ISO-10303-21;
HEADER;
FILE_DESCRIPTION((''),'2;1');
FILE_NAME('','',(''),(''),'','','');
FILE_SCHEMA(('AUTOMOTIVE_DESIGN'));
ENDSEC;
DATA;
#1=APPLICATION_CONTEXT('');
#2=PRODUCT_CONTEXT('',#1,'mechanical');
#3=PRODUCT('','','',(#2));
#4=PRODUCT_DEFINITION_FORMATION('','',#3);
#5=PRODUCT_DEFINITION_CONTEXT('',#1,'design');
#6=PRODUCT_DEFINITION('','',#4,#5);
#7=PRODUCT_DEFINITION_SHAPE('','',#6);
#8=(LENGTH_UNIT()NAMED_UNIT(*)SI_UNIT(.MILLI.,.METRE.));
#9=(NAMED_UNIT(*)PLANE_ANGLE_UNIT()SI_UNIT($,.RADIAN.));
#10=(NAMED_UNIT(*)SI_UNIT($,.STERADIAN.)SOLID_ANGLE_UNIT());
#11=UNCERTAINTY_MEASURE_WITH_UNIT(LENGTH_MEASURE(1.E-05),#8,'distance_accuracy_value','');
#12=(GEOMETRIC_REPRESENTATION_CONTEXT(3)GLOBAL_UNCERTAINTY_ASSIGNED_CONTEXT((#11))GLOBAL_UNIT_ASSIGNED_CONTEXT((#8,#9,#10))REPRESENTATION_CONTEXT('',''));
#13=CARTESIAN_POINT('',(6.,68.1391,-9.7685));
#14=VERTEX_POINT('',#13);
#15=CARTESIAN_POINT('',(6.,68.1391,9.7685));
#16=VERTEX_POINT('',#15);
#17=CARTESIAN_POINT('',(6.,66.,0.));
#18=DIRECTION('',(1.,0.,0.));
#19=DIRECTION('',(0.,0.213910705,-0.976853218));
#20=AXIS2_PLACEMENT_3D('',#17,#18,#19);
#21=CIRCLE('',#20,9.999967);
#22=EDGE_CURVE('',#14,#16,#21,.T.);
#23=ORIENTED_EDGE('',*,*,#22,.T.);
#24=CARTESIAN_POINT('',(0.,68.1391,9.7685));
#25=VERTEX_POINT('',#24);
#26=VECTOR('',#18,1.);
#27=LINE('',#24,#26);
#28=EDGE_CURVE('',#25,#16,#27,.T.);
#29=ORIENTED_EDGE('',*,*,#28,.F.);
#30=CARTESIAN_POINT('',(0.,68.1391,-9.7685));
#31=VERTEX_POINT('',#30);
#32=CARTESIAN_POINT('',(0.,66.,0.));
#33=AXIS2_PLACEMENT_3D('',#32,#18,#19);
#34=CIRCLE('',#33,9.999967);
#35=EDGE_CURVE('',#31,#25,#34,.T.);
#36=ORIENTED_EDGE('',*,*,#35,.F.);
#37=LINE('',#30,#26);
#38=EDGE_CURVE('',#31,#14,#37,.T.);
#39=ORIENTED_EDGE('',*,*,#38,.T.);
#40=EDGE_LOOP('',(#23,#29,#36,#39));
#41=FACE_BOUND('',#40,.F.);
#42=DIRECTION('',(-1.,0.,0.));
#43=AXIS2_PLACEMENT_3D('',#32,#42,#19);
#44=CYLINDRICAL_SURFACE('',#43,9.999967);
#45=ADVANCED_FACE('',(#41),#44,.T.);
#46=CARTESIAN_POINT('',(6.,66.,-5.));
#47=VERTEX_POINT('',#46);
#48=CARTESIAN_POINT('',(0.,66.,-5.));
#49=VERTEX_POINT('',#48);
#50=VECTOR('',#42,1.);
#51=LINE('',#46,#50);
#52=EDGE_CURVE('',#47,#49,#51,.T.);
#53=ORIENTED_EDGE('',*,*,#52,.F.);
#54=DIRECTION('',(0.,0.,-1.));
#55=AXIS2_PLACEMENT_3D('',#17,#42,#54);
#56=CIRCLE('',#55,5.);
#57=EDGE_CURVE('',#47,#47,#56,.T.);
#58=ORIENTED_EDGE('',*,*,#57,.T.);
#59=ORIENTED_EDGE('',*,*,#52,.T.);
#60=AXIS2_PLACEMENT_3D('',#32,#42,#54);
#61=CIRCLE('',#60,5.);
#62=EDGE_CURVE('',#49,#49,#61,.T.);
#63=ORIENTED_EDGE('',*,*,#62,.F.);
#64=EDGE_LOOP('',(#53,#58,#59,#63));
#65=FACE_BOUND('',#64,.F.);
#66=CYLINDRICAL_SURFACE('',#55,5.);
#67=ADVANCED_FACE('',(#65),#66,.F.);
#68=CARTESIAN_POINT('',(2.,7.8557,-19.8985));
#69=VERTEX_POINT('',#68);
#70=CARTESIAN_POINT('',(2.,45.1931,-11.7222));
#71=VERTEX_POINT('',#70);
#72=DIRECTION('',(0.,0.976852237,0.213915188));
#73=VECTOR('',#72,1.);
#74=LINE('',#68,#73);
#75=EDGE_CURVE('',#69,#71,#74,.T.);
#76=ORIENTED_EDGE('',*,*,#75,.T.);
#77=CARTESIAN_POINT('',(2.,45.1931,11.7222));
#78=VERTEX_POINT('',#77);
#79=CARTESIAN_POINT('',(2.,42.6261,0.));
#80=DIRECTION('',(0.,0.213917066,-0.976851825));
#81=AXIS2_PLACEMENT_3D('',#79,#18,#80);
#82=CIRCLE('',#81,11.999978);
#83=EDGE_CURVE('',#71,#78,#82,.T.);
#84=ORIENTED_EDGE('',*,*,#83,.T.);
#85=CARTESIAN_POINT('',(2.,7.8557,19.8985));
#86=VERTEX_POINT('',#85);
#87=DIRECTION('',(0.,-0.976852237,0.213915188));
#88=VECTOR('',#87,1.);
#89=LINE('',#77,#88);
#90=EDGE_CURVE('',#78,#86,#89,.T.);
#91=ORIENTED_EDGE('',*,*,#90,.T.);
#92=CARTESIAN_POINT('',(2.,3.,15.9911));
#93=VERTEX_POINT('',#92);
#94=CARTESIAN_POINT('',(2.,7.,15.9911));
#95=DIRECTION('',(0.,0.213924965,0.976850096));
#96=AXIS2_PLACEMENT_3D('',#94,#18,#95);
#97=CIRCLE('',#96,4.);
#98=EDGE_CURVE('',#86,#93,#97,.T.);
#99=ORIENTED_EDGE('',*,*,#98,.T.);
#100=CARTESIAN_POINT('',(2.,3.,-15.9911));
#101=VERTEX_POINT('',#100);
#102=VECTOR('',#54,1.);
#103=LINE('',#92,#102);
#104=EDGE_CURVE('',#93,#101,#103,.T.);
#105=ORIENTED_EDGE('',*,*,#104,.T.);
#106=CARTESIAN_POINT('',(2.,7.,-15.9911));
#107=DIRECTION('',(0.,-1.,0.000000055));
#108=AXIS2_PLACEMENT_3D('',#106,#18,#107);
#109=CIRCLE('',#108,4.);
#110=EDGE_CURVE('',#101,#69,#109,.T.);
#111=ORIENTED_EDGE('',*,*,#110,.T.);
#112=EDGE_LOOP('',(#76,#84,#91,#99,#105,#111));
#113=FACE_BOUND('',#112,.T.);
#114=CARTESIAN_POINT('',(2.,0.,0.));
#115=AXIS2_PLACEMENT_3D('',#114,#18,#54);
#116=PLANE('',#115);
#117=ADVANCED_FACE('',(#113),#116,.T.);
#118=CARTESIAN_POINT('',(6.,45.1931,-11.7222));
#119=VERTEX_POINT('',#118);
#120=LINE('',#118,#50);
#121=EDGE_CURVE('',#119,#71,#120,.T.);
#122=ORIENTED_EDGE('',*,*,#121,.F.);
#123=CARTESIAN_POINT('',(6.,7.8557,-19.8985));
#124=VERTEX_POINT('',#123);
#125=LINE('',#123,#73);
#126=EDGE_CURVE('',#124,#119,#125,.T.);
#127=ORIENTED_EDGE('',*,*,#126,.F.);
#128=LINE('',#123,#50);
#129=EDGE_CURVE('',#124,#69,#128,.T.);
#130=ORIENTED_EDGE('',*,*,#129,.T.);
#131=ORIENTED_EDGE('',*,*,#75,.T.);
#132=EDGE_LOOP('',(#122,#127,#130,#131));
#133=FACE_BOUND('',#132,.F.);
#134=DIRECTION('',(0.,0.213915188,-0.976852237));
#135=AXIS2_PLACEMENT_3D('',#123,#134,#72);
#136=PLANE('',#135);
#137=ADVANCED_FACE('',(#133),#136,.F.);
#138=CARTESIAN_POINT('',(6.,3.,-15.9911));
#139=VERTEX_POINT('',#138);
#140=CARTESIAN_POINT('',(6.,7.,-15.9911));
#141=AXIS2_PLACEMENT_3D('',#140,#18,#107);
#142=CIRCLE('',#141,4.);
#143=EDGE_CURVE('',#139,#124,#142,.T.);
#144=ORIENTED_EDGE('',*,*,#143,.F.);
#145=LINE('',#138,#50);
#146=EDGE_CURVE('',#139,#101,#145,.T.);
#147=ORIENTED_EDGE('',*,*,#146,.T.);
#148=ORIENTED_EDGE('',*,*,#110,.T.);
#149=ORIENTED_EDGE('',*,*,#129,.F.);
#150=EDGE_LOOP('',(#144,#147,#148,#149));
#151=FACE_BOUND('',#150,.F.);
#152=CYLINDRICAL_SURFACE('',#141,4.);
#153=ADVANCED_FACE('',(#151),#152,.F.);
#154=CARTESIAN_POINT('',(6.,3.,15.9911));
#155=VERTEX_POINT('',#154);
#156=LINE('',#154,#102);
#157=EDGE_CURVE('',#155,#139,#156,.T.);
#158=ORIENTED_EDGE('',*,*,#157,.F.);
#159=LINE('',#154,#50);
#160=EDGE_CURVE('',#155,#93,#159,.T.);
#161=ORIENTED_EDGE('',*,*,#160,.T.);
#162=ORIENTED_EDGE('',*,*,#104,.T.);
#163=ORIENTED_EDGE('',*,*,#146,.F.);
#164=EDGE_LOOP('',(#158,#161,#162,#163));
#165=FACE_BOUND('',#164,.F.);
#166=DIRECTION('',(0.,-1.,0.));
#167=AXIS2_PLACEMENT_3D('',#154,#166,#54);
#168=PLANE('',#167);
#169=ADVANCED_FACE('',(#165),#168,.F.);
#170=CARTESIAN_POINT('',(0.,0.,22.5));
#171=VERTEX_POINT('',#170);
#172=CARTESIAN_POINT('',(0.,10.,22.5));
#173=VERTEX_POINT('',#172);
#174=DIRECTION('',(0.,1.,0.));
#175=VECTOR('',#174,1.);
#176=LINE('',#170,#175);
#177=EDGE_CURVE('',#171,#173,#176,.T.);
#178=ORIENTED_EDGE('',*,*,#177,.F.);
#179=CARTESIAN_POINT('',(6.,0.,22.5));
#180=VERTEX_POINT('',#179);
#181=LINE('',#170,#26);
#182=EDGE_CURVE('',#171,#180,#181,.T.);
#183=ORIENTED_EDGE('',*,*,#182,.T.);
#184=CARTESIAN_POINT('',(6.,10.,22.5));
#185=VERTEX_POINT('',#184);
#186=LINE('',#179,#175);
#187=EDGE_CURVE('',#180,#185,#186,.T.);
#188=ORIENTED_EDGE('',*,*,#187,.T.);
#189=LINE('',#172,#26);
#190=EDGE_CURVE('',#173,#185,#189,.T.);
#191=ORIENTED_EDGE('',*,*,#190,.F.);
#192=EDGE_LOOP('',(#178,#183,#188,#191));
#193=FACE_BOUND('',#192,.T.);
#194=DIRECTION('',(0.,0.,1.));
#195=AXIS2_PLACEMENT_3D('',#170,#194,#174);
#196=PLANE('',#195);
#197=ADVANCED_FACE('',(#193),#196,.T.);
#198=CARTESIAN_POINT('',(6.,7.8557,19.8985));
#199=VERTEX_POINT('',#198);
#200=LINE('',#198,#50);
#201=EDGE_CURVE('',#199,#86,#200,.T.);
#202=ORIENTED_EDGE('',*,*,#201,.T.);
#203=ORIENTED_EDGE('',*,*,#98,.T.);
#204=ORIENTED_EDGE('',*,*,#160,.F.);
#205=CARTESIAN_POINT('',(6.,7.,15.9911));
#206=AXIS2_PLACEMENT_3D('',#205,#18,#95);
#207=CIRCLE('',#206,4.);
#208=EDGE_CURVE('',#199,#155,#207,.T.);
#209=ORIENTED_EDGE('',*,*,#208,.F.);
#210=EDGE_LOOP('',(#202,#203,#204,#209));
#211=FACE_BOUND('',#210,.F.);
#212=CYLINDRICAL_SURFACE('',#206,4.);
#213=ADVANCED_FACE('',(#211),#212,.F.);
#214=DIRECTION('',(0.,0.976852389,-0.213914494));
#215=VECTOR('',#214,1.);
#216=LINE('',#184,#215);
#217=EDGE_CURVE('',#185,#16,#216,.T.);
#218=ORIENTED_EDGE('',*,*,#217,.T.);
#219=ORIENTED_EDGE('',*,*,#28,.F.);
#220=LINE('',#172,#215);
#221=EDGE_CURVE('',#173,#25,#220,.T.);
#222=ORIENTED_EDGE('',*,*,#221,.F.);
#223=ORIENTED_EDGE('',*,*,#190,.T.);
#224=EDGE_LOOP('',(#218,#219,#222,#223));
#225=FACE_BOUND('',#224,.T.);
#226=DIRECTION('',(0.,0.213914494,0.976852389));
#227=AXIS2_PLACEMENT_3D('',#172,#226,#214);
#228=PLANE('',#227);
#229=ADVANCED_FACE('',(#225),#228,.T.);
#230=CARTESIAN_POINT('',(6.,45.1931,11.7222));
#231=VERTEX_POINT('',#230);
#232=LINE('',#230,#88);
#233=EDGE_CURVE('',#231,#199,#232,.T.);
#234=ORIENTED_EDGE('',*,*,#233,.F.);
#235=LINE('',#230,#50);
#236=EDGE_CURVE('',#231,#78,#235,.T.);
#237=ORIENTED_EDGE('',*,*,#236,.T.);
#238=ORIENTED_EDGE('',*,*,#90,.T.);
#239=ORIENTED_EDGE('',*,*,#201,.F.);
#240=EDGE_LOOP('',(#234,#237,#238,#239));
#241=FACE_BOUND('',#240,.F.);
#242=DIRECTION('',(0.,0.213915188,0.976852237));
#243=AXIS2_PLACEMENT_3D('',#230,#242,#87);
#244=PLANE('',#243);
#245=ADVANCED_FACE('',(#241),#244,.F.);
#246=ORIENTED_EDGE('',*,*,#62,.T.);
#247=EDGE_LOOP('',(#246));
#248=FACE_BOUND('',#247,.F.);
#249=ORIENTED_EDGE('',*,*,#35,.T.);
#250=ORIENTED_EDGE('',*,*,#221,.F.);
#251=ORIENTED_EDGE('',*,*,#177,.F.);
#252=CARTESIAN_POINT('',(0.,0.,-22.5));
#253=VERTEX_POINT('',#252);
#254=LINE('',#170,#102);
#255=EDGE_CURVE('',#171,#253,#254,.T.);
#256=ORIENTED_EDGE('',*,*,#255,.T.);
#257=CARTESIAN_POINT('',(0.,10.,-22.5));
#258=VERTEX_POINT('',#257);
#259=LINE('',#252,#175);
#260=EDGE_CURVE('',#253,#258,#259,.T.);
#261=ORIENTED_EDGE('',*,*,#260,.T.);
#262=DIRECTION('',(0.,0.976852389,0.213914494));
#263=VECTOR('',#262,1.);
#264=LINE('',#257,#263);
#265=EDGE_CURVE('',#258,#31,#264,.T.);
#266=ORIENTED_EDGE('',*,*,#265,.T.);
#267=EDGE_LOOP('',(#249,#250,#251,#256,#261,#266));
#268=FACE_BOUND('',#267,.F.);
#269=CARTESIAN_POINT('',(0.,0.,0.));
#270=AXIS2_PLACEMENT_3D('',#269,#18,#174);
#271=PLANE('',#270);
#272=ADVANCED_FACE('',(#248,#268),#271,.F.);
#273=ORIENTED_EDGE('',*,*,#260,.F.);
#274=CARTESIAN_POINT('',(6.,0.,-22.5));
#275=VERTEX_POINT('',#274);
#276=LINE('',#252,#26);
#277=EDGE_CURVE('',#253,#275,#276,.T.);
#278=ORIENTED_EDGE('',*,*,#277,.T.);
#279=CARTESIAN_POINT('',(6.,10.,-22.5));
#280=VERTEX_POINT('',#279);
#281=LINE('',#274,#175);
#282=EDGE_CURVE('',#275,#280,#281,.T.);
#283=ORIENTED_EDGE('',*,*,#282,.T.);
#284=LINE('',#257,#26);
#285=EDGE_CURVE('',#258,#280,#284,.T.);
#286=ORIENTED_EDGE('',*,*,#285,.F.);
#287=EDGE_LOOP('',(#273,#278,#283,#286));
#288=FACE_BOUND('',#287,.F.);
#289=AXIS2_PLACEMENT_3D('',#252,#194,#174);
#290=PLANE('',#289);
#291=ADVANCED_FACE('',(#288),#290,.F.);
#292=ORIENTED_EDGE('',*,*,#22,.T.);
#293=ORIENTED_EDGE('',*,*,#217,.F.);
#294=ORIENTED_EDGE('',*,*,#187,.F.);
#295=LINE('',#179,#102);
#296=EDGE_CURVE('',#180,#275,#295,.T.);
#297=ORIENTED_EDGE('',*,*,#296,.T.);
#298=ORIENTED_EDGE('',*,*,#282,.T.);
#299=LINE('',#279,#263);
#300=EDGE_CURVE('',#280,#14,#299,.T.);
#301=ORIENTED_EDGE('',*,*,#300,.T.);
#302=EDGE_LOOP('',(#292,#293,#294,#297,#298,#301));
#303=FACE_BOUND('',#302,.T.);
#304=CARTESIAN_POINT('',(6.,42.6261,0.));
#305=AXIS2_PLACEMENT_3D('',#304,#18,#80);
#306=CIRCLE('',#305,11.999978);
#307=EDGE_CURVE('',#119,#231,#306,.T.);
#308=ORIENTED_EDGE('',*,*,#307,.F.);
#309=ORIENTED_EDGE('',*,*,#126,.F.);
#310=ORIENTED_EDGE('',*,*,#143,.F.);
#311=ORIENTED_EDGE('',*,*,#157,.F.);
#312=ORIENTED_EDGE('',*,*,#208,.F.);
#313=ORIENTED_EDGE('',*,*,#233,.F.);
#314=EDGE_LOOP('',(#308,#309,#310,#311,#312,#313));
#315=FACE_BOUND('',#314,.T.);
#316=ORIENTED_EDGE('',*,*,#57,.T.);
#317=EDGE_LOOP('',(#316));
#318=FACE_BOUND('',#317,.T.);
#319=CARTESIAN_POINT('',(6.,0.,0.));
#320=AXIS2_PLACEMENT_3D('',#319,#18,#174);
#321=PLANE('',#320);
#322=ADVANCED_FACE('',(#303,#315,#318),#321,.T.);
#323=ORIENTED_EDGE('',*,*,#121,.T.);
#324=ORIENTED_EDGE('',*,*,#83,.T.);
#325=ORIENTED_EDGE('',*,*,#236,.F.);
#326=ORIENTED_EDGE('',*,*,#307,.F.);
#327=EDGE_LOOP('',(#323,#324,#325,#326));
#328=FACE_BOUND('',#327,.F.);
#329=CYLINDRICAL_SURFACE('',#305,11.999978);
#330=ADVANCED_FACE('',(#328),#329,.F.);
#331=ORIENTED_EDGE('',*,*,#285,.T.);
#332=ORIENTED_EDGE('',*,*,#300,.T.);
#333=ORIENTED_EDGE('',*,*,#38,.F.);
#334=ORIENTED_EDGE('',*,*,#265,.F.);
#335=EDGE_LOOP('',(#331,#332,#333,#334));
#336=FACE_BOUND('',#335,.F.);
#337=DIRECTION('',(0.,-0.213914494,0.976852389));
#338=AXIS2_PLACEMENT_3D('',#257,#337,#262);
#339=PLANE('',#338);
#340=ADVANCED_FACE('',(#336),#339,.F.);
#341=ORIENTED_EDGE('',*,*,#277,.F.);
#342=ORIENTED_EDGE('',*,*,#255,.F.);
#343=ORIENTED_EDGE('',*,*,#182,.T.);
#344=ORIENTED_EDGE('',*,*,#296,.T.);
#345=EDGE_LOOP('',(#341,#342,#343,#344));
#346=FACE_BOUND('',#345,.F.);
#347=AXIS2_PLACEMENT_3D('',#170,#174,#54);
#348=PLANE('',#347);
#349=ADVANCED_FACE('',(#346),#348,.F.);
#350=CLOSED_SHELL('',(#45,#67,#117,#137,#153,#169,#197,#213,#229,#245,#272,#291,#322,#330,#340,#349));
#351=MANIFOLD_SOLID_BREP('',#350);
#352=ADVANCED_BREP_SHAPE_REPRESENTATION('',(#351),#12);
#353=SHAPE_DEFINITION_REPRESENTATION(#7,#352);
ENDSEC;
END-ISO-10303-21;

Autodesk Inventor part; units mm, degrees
ref_plane "YZ Plane" through (0, 0, 0) normal (1, 0, 0) x (0, 1, 0)
ref_plane "XZ Plane" through (0, 0, 0) normal (0, 1, 0) x (-1, 0, 0)
ref_plane "XY Plane" through (0, 0, 0) normal (0, 0, 1) x (1, 0, 0)
sketch "Sketch1" plane through (0, 0, 0) normal (1, 0, 0) x (0, 1, 0)
  line L0 (0, 22.5) -> (0, -22.5)
  arc A0 (68.1391, -9.7685) -> (68.1391, 9.7685) centre (66, 0) ccw
  line L1 (0, 22.5) -> (10, 22.5)
  line L2 (0, -22.5) -> (10, -22.5)
  line L3 (10, -22.5) -> (68.1391, -9.7685)
  line L4 (10, 22.5) -> (68.1391, 9.7685)
  point P0 (0, 0)
  dimension "d1" = 10
  dimension "d2" = 10
  dimension "d3" = 66
  dimension "d4" = 45
extrude "Extrusion1" add sketch "Sketch1" along normal blind 6
sketch "Sketch2" plane through (6, 0, 0) normal (1, 0, 0) x (0, 0, -1)
  line L0 (-22.5, 0) -> (22.5, 0) projected
  line L1 (22.5, 10) -> (9.7685, 68.1391) projected
  line L2 (-9.7685, 68.1391) -> (-22.5, 10) projected
  line L3 (-11.7222, 45.1931) -> (-19.8985, 7.8557)
  line L4 (-15.9911, 3) -> (15.9911, 3)
  line L5 (19.8985, 7.8557) -> (11.7222, 45.1931)
  arc A0 (11.7222, 45.1931) -> (-11.7222, 45.1931) centre (0, 42.6261) ccw
  arc A1 (-19.8985, 7.8557) -> (-15.9911, 3) centre (-15.9911, 7) ccw
  arc A2 (15.9911, 3) -> (19.8985, 7.8557) centre (15.9911, 7) ccw
  point P0 (0, 0)
  dimension "d8" = 4
  dimension "d9" = 12
  dimension "d10" = 3
  dimension "d11" = 3
  dimension "d12" = 3
extrude "Extrusion2" cut sketch "Sketch2" against normal blind 4
sketch "Sketch3" plane through (6, 0, 0) normal (1, 0, 0) x (0, 0, -1)
  arc A0 (9.7685, 68.1391) -> (-9.7685, 68.1391) centre (0, 66) ccw projected
  point P0 (0, 0)
hole "Hole1" at (6, 66, 0) direction (-1, 0, 0) diameter 10 end through all
properties part number "Bearing High"
